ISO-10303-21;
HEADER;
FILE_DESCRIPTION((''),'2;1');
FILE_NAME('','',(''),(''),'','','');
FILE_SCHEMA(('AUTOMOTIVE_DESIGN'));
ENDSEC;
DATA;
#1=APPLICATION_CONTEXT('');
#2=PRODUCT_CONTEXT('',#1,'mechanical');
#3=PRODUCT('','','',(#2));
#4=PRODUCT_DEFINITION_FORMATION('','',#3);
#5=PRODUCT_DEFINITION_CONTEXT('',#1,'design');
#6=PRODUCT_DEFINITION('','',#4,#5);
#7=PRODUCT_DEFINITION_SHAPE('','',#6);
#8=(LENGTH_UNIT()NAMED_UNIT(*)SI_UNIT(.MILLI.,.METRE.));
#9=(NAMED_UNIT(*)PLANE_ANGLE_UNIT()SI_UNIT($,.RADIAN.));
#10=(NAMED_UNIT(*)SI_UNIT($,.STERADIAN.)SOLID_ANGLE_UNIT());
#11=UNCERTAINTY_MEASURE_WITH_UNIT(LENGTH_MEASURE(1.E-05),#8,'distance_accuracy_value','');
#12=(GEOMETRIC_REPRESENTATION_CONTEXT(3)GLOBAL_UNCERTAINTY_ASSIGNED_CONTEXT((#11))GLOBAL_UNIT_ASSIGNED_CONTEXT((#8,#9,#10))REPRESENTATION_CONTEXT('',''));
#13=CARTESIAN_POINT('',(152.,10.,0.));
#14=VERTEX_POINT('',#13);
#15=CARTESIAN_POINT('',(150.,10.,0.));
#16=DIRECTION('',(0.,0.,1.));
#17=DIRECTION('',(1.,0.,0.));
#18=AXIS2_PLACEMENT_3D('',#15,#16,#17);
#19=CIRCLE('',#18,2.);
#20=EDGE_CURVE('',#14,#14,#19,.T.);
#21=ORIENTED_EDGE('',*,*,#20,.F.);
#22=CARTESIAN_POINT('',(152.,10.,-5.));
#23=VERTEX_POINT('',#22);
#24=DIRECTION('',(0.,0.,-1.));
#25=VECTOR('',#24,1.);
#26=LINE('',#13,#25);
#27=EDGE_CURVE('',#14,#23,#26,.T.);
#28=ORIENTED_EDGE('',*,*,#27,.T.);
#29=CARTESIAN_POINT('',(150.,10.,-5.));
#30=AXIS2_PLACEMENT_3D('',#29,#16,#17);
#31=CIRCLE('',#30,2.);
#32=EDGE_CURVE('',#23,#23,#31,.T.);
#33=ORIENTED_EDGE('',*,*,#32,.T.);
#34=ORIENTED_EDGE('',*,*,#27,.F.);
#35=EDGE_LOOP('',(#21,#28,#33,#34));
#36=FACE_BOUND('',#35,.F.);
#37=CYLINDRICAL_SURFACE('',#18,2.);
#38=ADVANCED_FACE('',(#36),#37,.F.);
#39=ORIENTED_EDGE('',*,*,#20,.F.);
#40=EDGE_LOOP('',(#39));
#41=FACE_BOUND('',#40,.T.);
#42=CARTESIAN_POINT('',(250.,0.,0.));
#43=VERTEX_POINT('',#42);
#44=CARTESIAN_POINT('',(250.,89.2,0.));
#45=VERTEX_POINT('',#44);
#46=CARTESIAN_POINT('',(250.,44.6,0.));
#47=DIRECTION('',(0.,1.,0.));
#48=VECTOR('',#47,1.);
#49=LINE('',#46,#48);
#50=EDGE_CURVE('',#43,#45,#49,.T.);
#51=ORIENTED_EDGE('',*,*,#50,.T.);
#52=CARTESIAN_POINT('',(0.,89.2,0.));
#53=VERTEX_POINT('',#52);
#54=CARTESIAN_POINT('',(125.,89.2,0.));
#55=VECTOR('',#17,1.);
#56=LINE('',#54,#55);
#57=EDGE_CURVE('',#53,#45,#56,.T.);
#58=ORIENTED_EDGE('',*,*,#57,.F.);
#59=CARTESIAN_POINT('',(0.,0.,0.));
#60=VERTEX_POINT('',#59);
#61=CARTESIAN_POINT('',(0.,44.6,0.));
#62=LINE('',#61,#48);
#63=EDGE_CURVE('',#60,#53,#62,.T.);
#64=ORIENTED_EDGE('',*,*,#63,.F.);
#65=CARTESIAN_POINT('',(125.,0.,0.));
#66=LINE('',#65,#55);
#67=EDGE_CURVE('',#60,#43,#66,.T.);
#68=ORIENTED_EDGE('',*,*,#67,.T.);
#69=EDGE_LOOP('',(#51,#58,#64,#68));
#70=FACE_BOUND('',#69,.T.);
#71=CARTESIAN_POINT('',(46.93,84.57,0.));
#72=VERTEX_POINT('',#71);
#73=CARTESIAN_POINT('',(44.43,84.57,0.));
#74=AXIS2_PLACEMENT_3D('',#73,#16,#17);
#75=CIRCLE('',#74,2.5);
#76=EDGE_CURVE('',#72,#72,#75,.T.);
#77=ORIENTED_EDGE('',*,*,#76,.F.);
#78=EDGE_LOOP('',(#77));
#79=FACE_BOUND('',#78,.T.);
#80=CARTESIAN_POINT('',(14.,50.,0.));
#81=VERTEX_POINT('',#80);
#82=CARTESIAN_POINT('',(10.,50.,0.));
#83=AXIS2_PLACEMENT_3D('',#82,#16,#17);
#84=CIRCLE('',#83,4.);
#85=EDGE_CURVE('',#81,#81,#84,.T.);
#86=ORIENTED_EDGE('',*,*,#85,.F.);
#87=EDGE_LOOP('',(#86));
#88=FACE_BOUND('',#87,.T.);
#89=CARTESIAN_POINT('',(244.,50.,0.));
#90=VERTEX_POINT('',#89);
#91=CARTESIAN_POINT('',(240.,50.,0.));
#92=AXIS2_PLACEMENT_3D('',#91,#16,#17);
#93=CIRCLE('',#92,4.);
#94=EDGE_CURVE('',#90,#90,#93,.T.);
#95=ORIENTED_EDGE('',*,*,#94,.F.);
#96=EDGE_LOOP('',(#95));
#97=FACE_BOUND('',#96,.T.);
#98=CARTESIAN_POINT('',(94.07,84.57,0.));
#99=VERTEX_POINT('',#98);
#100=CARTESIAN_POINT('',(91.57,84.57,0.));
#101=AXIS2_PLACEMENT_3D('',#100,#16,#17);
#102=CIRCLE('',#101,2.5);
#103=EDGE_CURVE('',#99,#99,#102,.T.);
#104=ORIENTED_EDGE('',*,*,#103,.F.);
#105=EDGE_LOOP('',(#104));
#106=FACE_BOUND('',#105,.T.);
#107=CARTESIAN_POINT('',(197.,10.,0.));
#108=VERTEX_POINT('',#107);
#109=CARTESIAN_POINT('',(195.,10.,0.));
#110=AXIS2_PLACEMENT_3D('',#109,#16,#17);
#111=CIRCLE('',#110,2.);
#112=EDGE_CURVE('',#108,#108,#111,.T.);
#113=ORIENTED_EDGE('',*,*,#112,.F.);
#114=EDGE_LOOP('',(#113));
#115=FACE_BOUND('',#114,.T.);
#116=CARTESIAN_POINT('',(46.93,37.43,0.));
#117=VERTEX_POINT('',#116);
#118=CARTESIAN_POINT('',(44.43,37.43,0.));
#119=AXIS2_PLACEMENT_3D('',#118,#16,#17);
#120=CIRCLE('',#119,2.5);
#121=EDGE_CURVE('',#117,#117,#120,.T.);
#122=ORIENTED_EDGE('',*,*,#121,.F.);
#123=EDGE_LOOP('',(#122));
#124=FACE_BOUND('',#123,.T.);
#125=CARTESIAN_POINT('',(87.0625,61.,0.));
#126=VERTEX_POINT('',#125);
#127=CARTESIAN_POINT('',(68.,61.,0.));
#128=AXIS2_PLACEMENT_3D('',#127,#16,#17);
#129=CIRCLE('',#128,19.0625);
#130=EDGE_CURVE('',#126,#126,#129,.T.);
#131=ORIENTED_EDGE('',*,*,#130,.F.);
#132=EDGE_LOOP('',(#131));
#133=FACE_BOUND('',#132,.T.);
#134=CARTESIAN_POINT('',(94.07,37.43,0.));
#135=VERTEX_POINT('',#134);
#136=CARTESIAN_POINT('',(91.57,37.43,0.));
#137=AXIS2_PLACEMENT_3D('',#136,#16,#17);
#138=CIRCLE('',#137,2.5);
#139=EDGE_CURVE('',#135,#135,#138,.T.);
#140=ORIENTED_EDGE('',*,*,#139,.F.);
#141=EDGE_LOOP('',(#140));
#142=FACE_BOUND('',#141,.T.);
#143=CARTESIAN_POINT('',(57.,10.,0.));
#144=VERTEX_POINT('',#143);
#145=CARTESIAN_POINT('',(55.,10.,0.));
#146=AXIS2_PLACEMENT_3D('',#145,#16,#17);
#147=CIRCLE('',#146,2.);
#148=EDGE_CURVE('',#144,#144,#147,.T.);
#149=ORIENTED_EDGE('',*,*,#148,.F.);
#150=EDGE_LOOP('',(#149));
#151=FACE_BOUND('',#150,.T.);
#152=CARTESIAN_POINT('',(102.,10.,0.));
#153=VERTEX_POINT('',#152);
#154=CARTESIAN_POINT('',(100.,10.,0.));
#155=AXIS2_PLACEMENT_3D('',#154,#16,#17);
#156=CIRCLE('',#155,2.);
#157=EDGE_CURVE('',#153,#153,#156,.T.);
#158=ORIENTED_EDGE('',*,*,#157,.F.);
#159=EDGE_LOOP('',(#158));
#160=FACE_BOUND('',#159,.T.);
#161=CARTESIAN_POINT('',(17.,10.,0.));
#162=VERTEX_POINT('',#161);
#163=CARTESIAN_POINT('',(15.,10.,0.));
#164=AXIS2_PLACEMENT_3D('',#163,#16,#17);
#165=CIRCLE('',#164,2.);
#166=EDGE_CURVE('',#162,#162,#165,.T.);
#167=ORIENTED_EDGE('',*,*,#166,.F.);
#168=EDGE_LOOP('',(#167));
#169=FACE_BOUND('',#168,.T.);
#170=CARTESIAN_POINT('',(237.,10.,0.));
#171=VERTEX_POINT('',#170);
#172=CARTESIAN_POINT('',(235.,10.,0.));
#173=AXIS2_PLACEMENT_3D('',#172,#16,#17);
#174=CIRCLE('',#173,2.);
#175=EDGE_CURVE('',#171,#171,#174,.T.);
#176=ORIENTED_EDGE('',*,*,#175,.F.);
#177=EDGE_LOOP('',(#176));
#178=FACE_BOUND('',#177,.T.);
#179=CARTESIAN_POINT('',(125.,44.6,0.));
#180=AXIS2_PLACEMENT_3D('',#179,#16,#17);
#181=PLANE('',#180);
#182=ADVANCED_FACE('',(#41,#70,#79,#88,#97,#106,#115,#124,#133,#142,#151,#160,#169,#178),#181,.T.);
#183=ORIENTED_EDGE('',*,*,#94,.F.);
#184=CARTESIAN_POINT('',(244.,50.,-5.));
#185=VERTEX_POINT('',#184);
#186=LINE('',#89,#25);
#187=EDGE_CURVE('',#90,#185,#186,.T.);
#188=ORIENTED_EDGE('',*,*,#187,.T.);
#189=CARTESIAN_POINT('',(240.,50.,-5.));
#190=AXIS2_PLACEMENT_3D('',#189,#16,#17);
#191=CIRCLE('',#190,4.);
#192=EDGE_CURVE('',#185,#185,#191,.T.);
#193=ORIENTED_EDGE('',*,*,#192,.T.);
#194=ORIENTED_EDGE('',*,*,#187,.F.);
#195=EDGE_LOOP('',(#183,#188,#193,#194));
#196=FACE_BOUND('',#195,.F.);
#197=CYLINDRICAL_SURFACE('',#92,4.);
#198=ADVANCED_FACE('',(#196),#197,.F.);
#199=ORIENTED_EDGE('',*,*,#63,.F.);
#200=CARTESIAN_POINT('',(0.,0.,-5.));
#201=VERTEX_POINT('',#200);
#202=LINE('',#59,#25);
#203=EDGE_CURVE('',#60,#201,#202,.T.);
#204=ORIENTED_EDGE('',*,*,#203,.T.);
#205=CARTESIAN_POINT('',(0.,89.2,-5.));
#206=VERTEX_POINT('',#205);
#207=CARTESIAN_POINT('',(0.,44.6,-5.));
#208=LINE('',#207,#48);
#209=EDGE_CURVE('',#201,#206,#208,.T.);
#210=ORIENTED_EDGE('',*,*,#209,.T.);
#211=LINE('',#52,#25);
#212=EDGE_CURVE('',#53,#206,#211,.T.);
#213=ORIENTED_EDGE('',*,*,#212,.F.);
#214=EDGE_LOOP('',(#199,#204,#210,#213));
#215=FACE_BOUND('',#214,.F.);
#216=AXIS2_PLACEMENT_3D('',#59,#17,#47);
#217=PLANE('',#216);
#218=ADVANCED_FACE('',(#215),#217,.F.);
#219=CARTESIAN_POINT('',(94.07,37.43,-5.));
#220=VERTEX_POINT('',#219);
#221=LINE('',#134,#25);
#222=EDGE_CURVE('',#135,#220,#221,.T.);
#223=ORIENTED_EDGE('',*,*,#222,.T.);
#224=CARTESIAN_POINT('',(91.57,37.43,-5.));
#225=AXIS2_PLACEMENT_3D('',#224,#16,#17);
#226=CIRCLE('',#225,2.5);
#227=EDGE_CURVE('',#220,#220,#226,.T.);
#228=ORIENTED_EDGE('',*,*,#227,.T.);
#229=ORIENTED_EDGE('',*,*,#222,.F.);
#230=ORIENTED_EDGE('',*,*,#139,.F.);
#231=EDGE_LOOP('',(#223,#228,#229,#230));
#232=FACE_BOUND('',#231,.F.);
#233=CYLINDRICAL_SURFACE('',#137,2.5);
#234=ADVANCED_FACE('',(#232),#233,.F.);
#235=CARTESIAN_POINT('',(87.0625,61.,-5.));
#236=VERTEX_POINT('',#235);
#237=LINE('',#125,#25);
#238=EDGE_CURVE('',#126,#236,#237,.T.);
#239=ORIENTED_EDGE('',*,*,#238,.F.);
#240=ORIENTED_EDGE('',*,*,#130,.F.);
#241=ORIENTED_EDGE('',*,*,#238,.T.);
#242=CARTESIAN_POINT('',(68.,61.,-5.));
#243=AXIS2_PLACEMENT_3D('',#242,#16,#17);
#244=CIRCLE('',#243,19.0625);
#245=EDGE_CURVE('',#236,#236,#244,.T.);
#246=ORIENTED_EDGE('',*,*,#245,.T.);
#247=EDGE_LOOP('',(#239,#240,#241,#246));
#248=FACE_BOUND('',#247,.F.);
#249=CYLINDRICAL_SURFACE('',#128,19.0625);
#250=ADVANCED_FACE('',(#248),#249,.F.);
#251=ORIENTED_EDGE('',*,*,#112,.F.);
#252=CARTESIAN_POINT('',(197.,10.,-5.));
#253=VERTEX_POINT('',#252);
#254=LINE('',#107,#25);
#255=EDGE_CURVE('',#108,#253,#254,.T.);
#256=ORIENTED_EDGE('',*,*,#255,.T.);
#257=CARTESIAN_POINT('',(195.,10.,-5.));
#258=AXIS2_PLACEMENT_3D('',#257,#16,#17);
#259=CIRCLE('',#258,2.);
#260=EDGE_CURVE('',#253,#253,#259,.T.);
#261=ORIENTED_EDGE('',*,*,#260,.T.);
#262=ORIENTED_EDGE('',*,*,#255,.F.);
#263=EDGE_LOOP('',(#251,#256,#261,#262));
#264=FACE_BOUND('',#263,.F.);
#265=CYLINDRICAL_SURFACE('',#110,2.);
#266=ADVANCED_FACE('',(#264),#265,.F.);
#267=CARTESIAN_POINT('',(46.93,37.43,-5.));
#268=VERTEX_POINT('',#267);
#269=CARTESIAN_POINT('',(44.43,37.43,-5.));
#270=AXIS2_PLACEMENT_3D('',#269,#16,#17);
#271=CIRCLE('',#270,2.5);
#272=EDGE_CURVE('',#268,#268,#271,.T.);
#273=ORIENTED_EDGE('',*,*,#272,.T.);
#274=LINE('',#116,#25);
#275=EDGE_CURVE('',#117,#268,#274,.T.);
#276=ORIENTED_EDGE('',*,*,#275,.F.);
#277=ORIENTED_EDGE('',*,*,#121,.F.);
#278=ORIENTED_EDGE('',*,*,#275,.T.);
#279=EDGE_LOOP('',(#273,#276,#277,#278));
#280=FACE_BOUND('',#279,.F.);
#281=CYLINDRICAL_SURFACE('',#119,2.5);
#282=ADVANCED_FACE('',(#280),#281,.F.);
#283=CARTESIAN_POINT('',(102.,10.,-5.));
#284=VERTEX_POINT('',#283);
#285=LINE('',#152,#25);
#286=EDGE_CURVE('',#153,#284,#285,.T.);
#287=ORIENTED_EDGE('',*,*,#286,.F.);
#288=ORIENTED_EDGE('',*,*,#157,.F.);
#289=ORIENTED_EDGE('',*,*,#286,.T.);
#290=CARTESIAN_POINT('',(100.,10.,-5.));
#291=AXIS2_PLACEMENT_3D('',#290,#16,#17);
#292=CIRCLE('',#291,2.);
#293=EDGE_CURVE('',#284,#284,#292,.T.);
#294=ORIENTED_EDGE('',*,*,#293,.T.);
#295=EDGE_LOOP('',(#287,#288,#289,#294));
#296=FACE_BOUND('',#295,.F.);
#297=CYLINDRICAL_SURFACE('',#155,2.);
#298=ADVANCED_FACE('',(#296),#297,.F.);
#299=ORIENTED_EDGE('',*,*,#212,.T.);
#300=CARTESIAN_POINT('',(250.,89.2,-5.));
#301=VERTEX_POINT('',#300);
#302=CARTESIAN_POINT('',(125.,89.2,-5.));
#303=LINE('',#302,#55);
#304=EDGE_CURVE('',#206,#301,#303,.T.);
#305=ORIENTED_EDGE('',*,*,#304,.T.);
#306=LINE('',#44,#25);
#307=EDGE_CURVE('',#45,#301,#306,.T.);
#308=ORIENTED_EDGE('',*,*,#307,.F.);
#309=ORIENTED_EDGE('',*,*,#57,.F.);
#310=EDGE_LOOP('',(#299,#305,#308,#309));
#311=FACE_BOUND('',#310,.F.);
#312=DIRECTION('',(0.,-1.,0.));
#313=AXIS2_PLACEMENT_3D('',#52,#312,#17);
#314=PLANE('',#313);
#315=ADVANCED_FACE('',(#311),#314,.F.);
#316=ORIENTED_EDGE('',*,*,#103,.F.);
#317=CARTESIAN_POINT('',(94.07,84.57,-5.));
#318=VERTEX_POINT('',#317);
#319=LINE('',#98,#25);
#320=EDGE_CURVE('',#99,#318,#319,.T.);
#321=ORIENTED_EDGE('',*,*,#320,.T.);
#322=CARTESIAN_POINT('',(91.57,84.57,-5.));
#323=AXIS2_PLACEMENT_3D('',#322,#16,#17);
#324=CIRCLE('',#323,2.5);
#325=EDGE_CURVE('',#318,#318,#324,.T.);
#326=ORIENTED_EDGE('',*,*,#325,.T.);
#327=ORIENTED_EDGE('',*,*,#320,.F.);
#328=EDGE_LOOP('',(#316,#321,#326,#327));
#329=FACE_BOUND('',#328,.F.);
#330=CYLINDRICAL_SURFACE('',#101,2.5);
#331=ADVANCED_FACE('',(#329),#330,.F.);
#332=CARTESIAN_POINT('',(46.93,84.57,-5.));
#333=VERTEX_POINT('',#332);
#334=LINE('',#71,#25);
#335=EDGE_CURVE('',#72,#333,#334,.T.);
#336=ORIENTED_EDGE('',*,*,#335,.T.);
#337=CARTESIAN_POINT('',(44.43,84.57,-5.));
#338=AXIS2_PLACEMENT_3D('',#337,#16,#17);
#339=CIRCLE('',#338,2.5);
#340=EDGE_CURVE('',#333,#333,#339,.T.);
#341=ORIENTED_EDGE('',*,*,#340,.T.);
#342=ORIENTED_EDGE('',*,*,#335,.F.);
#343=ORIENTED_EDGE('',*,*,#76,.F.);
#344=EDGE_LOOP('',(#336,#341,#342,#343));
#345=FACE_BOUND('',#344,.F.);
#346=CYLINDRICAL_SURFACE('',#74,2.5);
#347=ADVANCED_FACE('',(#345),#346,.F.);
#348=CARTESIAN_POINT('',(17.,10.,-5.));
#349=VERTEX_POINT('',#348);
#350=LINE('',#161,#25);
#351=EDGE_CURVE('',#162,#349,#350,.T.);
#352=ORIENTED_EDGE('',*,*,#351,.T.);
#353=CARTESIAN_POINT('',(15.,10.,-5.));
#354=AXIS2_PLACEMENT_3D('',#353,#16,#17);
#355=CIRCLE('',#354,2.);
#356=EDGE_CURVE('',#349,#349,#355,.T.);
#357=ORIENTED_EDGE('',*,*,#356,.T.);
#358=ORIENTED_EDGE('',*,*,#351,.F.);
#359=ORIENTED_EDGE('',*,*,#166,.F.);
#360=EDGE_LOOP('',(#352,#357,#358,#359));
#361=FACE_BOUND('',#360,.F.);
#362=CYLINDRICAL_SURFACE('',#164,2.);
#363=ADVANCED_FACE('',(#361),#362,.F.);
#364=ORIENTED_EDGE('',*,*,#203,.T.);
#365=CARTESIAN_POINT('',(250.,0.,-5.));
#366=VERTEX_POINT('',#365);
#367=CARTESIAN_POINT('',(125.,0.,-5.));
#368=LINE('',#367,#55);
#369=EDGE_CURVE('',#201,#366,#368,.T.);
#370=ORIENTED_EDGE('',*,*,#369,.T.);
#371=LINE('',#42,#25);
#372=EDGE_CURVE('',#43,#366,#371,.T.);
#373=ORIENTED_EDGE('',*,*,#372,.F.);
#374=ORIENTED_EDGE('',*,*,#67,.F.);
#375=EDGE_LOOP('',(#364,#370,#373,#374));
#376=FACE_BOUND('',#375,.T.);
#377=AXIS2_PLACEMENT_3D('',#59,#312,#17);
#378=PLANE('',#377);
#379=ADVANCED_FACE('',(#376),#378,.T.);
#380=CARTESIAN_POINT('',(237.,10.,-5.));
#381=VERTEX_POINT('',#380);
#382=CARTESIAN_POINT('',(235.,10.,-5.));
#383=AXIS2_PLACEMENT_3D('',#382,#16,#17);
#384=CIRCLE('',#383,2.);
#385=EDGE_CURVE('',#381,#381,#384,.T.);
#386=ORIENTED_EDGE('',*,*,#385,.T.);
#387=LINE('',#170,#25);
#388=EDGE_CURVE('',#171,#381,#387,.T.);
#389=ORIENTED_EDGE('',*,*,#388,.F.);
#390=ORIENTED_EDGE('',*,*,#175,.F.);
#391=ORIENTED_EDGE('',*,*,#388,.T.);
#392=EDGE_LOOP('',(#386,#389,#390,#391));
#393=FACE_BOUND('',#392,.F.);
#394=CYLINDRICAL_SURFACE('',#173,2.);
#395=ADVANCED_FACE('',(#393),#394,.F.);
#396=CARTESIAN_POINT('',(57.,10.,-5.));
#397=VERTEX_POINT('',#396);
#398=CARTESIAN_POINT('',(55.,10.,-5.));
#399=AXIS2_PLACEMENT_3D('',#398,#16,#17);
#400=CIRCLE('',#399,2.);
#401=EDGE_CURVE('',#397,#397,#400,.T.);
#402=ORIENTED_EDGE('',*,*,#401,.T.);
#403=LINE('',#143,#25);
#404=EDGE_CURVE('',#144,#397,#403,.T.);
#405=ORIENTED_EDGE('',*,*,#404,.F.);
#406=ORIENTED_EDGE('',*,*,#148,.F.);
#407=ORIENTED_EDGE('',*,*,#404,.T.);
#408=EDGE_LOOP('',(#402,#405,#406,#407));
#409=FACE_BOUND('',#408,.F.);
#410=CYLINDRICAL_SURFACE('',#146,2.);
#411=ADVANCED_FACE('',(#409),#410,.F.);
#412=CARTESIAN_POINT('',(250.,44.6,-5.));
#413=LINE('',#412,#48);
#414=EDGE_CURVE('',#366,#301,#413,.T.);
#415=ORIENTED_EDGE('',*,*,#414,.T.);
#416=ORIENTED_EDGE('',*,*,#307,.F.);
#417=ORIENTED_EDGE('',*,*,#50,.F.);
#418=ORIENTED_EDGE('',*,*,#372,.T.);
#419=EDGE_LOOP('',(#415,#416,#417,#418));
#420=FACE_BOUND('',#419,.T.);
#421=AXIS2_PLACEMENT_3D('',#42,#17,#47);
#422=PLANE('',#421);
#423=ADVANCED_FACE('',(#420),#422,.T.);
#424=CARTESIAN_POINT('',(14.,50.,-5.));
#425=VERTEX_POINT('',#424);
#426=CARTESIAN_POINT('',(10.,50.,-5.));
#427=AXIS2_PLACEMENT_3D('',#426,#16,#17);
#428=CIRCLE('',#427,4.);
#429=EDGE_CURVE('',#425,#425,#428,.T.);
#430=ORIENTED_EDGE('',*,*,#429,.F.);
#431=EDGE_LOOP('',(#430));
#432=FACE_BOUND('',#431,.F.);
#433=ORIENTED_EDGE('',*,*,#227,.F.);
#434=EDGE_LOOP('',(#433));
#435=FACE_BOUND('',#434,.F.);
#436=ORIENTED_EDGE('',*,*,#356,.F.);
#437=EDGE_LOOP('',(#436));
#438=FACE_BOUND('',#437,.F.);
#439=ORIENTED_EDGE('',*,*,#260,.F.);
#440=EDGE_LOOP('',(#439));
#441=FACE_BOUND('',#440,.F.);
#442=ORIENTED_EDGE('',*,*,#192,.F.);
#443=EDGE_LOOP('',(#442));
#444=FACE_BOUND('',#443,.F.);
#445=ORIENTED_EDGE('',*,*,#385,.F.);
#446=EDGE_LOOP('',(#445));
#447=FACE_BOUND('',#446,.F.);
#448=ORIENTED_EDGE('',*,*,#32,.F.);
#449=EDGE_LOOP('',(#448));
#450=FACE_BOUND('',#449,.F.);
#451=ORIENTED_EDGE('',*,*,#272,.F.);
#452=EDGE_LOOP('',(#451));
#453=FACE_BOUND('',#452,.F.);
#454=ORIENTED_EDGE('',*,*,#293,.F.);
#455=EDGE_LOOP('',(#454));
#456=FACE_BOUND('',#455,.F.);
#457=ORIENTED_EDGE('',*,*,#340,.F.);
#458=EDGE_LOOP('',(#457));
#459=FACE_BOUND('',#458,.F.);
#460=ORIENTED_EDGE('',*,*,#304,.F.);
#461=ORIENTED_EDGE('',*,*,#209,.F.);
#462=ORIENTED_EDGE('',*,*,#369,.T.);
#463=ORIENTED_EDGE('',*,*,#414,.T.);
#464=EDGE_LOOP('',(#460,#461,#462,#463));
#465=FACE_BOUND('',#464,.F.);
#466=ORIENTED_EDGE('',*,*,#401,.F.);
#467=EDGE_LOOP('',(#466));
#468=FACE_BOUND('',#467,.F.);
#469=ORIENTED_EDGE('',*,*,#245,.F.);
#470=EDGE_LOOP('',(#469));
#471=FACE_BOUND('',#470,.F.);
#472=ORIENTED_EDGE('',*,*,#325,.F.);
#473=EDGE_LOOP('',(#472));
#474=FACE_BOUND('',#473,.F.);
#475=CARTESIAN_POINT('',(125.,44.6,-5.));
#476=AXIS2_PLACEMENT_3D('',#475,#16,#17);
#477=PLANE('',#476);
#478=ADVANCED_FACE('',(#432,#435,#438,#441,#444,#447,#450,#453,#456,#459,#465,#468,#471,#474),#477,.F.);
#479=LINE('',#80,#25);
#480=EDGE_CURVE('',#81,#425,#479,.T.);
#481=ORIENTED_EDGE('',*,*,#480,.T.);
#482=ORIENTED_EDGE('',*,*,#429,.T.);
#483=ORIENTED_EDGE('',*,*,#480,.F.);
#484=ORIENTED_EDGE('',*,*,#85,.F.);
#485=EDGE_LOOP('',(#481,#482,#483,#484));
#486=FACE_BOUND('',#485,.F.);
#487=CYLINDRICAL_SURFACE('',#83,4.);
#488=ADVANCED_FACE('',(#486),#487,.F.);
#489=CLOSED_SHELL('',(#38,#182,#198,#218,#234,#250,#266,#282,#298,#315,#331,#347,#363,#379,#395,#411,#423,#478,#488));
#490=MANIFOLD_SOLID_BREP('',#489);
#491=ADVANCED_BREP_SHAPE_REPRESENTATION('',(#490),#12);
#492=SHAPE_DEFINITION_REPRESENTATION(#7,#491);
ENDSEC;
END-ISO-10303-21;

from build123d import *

# Parameters (mm, degrees)
SKIZZE1_W                       = 250
SKIZZE1_H                       = 89.2
AUFSATZ_LINEAR_AUSTRAGEN1_DEPTH = 5
SKIZZE2_R                       = 19.0625
SCHNITT_LINEAR_AUSTRAGEN1_DEPTH = 27
SKIZZE3_R                       = 2
SCHNITT_LINEAR_AUSTRAGEN2_DEPTH = 10
SKIZZE4_R                       = 4
SCHNITT_LINEAR_AUSTRAGEN3_DEPTH = 10
SKIZZE5_R                       = 2.5
SCHNITT_LINEAR_AUSTRAGEN4_DEPTH = 10
SKIZZE6_R                       = 2
SCHNITT_LINEAR_AUSTRAGEN5_DEPTH = 10


with BuildPart() as part:
    # Skizze1 → Aufsatz-Linear austragen1 (new body)
    with BuildSketch(Plane.XY):
        with Locations((125, 44.6)):
            Rectangle(SKIZZE1_W, SKIZZE1_H)
    extrude(amount=-AUFSATZ_LINEAR_AUSTRAGEN1_DEPTH)

    # Skizze2 → Schnitt-Linear austragen1 (cut)
    with BuildSketch(Plane.XY):
        with Locations((68, 61)):
            Circle(SKIZZE2_R)
    extrude(amount=-SCHNITT_LINEAR_AUSTRAGEN1_DEPTH, mode=Mode.SUBTRACT)

    # Skizze3 → Schnitt-Linear austragen2 (cut)
    with BuildSketch(Plane.XY):
        with Locations((15, 10)):
            Circle(SKIZZE3_R)
        with Locations((55, 10)):
            Circle(SKIZZE3_R)
        with Locations((195, 10)):
            Circle(SKIZZE3_R)
        with Locations((235, 10)):
            Circle(SKIZZE3_R)
        with Locations((150, 10)):
            Circle(SKIZZE3_R)
    extrude(amount=-SCHNITT_LINEAR_AUSTRAGEN2_DEPTH, mode=Mode.SUBTRACT)

    # Skizze4 → Schnitt-Linear austragen3 (cut)
    with BuildSketch(Plane.XY):
        with Locations((10, 50)):
            Circle(SKIZZE4_R)
        with Locations((240, 50)):
            Circle(SKIZZE4_R)
    extrude(amount=-SCHNITT_LINEAR_AUSTRAGEN3_DEPTH, mode=Mode.SUBTRACT)

    # Skizze5 → Schnitt-Linear austragen4 (cut)
    with BuildSketch(Plane.XY):
        with Locations((44.43, 84.57)):
            Circle(SKIZZE5_R)
        with Locations((91.57, 84.57)):
            Circle(SKIZZE5_R)
        with Locations((91.57, 37.43)):
            Circle(SKIZZE5_R)
        with Locations((44.43, 37.43)):
            Circle(SKIZZE5_R)
    extrude(amount=-SCHNITT_LINEAR_AUSTRAGEN4_DEPTH, mode=Mode.SUBTRACT)

    # Skizze6 → Schnitt-Linear austragen5 (cut)
    with BuildSketch(Plane.XY):
        with Locations((100, 10)):
            Circle(SKIZZE6_R)
    extrude(amount=-SCHNITT_LINEAR_AUSTRAGEN5_DEPTH, mode=Mode.SUBTRACT)


solid = part.part
